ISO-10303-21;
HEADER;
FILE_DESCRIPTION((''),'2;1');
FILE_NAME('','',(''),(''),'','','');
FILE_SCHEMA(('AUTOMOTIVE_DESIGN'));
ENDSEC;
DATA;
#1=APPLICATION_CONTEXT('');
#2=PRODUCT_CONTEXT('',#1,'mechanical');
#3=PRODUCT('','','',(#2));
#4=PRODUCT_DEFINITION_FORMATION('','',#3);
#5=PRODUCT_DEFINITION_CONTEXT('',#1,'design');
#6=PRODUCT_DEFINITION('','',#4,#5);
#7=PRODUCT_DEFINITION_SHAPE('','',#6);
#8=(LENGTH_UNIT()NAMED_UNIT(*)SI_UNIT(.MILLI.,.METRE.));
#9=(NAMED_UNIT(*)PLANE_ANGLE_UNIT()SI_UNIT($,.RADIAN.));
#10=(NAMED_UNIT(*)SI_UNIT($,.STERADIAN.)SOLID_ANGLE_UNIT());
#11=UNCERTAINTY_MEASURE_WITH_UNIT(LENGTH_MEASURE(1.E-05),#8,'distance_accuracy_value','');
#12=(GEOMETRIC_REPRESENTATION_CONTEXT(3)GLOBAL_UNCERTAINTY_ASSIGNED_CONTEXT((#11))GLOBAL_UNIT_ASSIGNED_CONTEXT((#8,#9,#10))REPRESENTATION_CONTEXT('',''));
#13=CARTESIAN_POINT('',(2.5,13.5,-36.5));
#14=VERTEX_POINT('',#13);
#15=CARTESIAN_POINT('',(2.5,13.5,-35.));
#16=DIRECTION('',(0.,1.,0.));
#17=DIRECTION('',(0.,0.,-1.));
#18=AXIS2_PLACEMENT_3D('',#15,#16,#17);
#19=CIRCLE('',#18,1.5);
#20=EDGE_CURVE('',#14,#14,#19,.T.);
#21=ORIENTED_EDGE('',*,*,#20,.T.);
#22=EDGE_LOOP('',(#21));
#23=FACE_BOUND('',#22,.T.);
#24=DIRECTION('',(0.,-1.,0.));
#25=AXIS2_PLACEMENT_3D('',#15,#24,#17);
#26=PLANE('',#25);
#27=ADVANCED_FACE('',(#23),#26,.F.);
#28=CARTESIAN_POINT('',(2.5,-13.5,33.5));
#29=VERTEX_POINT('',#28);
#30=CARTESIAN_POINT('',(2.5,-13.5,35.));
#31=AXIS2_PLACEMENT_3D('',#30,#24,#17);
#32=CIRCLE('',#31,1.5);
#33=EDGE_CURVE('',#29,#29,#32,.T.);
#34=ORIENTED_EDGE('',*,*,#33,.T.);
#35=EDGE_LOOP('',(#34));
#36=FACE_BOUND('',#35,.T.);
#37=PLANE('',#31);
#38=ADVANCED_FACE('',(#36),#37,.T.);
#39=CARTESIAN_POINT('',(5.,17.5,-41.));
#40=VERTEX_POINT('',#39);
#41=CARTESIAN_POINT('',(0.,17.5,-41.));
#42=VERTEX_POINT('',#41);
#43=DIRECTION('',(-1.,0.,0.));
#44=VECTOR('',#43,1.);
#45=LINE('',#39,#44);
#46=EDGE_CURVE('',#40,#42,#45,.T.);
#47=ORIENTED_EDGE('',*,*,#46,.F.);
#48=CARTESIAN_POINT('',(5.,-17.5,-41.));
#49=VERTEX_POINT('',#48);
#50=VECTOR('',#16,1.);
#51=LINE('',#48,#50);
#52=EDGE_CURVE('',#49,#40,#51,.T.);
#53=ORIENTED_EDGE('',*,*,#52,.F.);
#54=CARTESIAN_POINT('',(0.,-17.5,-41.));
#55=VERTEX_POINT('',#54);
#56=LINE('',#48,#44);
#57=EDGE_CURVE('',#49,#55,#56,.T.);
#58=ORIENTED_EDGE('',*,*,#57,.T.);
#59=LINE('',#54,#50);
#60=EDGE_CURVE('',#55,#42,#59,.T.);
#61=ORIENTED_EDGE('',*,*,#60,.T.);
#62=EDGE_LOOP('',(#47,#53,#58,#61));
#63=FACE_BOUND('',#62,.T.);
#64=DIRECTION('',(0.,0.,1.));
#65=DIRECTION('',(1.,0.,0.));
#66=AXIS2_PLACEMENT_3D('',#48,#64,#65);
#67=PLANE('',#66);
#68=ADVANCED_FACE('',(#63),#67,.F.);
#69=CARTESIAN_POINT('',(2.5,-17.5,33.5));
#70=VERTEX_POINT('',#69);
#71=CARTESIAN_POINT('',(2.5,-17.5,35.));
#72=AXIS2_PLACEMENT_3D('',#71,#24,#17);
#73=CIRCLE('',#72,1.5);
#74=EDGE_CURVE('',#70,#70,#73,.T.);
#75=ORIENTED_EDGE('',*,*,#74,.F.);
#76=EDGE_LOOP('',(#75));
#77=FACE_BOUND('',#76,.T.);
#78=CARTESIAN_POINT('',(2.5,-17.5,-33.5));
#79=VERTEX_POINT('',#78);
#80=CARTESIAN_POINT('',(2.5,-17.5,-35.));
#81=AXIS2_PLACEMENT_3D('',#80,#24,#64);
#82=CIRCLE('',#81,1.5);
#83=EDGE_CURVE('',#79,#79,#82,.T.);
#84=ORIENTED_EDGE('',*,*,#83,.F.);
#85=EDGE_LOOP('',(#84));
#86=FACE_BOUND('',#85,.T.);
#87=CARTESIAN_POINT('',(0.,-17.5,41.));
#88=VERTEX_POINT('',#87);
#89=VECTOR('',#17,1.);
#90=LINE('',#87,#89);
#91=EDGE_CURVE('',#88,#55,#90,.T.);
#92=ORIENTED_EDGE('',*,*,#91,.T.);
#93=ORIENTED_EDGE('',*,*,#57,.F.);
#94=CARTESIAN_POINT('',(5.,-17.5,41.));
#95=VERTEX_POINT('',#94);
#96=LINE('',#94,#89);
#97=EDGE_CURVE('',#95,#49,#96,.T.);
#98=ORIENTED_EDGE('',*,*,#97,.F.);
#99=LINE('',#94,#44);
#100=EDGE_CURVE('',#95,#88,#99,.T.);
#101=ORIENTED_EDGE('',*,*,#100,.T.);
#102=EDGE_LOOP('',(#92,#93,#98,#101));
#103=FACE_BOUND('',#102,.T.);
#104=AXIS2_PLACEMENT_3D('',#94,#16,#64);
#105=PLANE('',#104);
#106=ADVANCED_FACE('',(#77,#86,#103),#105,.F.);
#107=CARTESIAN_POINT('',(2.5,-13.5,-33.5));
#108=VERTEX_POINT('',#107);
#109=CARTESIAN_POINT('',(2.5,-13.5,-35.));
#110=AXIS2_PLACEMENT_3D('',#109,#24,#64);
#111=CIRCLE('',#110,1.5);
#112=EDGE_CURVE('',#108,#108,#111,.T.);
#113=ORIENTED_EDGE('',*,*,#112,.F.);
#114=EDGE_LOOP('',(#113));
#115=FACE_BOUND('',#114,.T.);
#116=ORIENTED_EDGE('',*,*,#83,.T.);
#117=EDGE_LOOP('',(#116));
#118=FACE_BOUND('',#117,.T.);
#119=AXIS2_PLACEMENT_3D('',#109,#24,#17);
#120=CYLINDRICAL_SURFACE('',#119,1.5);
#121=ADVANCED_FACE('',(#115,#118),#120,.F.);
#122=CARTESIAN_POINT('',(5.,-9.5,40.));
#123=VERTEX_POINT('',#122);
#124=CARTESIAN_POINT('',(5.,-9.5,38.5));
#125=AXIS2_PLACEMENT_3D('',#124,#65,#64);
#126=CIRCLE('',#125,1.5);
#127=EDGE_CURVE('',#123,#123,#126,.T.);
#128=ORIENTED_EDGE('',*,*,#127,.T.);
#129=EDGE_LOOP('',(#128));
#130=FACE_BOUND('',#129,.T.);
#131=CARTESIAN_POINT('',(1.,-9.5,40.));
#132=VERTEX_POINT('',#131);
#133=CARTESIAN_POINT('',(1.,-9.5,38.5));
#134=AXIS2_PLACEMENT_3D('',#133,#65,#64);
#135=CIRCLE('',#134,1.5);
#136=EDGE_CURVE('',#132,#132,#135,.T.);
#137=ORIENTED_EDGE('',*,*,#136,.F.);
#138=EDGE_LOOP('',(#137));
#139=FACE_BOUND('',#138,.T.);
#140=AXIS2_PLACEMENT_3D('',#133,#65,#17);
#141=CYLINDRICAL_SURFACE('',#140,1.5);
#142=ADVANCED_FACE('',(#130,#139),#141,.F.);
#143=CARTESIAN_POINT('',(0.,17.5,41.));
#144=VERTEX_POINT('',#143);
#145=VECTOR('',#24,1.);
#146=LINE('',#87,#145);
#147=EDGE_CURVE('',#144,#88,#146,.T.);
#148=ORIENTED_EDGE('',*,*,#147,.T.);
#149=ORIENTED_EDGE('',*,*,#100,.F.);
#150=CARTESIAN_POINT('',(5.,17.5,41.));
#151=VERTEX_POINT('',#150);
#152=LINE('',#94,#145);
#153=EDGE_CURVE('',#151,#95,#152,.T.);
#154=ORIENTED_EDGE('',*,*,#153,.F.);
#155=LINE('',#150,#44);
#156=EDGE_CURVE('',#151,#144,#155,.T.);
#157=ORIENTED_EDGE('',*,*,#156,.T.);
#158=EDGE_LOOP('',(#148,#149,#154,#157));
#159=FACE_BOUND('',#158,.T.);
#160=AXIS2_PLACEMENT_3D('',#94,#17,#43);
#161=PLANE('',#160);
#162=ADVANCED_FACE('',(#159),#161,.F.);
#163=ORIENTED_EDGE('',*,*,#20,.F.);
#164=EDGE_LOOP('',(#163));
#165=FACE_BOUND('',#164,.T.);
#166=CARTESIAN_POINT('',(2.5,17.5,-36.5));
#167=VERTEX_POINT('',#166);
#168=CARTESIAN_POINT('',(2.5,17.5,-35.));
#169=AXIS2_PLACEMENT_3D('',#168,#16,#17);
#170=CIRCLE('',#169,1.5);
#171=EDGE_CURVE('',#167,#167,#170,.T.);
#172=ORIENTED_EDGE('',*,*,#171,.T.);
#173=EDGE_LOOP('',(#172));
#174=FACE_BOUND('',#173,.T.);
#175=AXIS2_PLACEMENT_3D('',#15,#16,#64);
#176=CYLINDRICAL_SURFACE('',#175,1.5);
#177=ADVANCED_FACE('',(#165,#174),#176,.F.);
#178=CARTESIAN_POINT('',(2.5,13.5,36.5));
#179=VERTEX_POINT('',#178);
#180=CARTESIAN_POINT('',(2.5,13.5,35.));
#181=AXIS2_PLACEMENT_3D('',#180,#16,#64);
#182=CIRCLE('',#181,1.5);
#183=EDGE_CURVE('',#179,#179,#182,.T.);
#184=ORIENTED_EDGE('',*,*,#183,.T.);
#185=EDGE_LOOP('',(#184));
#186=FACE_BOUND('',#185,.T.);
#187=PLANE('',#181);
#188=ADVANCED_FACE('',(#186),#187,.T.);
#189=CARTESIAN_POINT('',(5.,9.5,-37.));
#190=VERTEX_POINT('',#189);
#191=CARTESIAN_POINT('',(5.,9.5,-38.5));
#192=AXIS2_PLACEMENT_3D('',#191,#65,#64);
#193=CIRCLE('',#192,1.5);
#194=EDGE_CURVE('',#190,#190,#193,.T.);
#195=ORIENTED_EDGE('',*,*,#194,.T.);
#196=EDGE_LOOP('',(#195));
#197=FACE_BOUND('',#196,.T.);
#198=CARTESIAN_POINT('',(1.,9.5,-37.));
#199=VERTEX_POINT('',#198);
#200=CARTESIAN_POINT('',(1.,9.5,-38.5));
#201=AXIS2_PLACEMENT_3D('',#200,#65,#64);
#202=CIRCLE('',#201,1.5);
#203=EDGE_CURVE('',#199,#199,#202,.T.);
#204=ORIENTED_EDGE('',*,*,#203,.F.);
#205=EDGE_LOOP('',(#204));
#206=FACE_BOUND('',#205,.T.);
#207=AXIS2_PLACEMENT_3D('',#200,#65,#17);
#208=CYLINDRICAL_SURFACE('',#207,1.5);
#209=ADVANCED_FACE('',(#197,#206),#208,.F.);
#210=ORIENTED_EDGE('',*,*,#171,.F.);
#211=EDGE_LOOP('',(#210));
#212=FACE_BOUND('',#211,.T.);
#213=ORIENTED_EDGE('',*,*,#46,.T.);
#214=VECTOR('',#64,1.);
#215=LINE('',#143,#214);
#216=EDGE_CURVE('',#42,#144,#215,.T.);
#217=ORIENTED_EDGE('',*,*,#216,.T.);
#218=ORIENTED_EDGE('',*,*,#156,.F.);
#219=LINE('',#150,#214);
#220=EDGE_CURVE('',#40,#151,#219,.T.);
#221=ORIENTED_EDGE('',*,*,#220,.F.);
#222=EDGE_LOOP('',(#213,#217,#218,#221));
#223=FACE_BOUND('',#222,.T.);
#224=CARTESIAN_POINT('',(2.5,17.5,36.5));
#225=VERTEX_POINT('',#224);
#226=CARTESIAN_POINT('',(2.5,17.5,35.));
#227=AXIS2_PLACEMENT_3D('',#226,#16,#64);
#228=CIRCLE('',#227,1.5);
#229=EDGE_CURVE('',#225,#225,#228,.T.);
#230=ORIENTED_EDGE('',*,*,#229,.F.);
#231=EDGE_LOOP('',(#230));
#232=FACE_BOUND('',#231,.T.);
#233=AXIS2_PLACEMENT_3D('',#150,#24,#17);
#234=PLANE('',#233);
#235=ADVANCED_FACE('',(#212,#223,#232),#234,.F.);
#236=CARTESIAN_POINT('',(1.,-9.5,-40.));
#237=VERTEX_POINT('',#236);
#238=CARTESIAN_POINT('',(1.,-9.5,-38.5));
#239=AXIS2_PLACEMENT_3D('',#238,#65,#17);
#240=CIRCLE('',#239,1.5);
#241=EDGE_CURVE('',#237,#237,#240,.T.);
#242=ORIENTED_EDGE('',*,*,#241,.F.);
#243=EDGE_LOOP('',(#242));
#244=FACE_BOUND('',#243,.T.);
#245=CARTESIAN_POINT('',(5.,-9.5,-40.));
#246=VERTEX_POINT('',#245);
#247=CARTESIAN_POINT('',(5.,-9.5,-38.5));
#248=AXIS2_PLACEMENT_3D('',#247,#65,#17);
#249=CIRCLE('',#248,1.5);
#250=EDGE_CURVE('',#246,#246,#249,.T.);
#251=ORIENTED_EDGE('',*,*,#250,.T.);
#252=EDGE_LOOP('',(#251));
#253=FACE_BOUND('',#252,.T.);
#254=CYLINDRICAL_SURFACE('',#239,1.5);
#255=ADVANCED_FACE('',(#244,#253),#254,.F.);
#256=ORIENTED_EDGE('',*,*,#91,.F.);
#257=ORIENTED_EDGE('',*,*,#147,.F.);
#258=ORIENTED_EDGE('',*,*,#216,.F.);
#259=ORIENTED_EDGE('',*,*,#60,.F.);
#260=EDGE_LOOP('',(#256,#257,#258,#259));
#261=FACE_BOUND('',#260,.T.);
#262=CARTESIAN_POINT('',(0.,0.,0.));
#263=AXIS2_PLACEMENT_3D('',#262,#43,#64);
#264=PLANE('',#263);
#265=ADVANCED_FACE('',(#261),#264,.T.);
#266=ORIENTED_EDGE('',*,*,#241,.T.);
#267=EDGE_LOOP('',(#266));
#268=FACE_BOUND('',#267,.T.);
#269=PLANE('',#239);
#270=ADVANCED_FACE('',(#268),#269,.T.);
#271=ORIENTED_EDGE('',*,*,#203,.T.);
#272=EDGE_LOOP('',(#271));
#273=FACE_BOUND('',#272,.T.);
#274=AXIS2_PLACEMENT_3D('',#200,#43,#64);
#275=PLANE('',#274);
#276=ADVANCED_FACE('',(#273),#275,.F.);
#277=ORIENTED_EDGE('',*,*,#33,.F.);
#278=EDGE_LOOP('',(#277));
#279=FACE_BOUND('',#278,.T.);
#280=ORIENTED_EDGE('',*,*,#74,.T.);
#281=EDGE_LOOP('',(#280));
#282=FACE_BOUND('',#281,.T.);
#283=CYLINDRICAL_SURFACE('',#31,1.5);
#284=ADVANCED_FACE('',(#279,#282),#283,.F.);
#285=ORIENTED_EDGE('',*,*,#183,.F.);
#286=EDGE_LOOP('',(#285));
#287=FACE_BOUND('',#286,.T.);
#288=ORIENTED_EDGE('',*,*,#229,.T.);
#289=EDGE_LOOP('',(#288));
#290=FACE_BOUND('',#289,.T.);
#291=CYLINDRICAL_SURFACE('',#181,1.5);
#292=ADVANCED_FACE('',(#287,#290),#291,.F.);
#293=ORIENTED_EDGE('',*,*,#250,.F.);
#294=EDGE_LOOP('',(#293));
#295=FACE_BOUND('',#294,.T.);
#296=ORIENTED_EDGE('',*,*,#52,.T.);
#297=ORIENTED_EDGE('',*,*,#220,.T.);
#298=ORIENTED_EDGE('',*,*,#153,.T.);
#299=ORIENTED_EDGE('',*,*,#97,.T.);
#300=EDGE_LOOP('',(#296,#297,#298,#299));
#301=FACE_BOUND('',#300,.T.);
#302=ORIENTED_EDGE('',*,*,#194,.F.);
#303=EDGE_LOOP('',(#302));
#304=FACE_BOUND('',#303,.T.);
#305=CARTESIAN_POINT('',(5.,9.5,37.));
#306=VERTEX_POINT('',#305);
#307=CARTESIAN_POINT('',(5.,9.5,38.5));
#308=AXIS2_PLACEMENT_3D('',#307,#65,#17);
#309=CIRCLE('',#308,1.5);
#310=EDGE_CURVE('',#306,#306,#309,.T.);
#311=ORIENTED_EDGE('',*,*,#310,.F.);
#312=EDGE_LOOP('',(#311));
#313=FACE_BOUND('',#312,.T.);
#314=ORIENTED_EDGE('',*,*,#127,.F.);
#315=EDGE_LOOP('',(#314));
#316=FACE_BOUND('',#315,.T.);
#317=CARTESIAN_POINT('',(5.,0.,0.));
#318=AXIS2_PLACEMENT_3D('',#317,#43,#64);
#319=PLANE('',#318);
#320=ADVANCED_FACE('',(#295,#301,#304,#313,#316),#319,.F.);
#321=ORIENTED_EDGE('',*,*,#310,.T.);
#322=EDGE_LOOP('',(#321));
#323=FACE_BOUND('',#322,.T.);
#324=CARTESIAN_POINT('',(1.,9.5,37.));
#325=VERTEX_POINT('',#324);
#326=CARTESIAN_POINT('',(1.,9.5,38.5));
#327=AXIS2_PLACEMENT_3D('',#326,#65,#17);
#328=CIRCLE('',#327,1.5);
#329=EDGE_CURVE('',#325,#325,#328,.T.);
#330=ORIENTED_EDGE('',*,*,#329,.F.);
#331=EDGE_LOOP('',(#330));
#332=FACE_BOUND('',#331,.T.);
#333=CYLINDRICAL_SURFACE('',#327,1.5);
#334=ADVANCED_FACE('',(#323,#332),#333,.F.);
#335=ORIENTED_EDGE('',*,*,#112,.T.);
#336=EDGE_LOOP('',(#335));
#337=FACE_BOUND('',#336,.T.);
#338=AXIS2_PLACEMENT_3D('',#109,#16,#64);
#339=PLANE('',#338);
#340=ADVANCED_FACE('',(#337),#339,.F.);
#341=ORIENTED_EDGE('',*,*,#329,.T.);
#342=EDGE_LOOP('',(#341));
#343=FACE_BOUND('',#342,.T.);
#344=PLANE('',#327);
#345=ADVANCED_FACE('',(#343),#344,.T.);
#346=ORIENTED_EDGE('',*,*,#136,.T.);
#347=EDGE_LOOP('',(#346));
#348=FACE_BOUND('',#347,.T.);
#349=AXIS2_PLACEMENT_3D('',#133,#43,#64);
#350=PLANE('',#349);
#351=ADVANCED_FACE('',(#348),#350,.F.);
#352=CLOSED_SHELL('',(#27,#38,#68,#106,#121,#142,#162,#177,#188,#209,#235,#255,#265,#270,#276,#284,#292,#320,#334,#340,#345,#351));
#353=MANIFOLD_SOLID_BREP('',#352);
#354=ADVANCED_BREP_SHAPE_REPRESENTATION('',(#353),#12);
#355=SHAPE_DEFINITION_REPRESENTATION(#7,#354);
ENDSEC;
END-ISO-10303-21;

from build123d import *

# Parameters (mm, degrees)
SKETCH1_W           = 82
SKETCH1_H           = 35
BOSS_EXTRUDE1_DEPTH = 5
SKETCH2_R           = 1.5
CUT_EXTRUDE1_DEPTH  = 4
SKETCH3_R           = 1.5
CUT_EXTRUDE2_DEPTH  = 4
CUT_EXTRUDE3_START  = -4
SKETCH4_R           = 1.5
CUT_EXTRUDE3_DEPTH  = 4


with BuildPart() as part:
    # Sketch1 → Boss-Extrude1 (new body)
    with BuildSketch(Plane(origin=(0, 0, 0), x_dir=(0, 0, -1), z_dir=(1, 0, 0))):
        Rectangle(SKETCH1_W, SKETCH1_H)
    extrude(amount=BOSS_EXTRUDE1_DEPTH)

    # Sketch2 → Cut-Extrude1 (cut)
    with BuildSketch(Plane(origin=(5, 0, 0), x_dir=(0, 0, -1), z_dir=(1, 0, 0))):
        with Locations((-38.5, 9.5)):
            Circle(SKETCH2_R)
        with Locations(Location((-38.5, -9.5, 0), (0, 0, 180))):
            Circle(SKETCH2_R)
        with Locations((38.5, -9.5)):
            Circle(SKETCH2_R)
        with Locations(Location((38.5, 9.5, 0), (0, 0, 180))):
            Circle(SKETCH2_R)
    extrude(amount=-CUT_EXTRUDE1_DEPTH, mode=Mode.SUBTRACT)

    # Sketch3 → Cut-Extrude2 (cut)
    with BuildSketch(Plane.XZ.offset(17.5)):
        with Locations(Location((2.5, 35, 0), (0, 0, 270))):
            Circle(SKETCH3_R)
        with Locations(Location((2.5, -35, 0), (0, 0, 90))):
            Circle(SKETCH3_R)
    extrude(amount=-CUT_EXTRUDE2_DEPTH, mode=Mode.SUBTRACT)

    # Sketch4 → Cut-Extrude3 (cut)
    with BuildSketch(Plane(origin=(0, 17.5, 0), x_dir=(1, 0, 0), z_dir=(0, 1, 0)).offset(CUT_EXTRUDE3_START)):
        with Locations(Location((2.5, -35, 0), (0, 0, 90))):
            Circle(SKETCH4_R)
        with Locations(Location((2.5, 35, 0), (0, 0, 270))):
            Circle(SKETCH4_R)
    extrude(amount=CUT_EXTRUDE3_DEPTH, mode=Mode.SUBTRACT)


solid = part.part
